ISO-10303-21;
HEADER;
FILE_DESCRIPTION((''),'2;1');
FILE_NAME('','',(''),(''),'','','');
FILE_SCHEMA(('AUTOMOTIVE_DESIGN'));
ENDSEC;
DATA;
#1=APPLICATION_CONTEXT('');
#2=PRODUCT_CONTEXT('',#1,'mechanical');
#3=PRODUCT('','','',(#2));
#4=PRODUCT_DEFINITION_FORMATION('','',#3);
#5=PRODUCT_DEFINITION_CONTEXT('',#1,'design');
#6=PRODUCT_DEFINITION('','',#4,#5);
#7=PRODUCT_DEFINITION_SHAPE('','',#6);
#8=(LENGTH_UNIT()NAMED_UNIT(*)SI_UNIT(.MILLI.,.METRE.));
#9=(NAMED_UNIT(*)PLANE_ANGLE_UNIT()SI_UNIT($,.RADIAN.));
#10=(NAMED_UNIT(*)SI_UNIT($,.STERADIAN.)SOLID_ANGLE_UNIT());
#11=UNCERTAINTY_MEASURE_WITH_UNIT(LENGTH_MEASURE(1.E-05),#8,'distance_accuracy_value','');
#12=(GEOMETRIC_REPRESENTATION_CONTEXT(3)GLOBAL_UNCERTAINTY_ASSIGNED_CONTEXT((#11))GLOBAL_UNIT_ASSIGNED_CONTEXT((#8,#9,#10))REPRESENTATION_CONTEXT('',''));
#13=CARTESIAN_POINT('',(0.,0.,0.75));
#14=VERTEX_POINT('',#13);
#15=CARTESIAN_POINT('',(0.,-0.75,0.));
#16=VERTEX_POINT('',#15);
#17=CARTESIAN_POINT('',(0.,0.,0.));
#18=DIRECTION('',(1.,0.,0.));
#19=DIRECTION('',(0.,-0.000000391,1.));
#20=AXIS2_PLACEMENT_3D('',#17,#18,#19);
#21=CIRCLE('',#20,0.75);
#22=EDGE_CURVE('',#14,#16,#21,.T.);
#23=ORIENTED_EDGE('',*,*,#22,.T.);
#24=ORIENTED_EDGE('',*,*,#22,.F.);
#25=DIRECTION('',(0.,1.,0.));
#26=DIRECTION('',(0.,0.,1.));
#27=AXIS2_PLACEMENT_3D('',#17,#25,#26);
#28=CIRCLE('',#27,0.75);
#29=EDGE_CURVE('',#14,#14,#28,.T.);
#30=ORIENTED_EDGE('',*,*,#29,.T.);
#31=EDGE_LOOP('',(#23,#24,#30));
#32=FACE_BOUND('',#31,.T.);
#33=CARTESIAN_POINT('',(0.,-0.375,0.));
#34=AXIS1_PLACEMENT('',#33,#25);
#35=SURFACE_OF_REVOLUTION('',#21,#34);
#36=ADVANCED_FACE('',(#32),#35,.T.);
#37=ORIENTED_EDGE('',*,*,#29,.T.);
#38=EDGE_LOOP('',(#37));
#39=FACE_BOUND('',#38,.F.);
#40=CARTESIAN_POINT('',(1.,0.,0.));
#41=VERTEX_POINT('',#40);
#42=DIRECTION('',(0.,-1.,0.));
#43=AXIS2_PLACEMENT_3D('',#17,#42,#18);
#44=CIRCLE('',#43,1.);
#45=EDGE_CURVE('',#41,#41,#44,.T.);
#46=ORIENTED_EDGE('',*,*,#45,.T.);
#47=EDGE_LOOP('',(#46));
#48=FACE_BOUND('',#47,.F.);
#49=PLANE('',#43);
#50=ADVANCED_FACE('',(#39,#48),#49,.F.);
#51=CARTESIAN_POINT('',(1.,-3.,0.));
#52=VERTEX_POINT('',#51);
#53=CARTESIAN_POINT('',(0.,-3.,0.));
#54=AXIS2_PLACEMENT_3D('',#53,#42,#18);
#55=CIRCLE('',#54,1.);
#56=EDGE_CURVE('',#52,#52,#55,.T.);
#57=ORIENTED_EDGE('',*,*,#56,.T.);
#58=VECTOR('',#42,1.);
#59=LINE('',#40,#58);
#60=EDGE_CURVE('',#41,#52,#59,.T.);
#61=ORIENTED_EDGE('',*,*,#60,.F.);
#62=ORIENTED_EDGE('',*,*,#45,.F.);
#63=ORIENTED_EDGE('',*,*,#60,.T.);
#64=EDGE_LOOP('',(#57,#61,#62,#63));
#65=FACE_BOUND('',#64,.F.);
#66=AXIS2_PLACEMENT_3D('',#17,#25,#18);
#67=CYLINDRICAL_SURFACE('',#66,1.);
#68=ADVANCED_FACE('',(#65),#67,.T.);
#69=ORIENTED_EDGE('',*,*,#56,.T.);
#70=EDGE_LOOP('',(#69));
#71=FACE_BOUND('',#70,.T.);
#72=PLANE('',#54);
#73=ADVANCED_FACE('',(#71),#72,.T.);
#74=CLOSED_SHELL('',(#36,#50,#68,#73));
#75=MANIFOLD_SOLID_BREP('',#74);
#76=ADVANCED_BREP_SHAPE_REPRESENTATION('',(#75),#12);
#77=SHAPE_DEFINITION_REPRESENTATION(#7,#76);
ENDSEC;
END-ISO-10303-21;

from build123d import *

# Parameters (mm, degrees)
F0_R     = 1
F0_R_2   = 0.875
F1_DEPTH = 3


with BuildPart() as f1:
    # F0 (on Front) → F1 (new body)
    with BuildSketch(Plane.XZ):
        Circle(F0_R)
        Circle(F0_R_2, mode=Mode.SUBTRACT)
        Circle(F0_R_2)
    extrude(amount=F1_DEPTH)

    # F2 (on Right) → F3 (revolve, cut)
    with BuildSketch(Plane.YZ):
        with BuildLine():
            Line((0, 0), (0, 0.75))
            ThreePointArc((0, 0.75), (-0.53033, 0.53033), (-0.75, 0))
            Line((-0.75, 0), (0, 0))
        make_face()
    revolve(axis=Axis((0, -0.375, 0), (0, 1, 0)), mode=Mode.SUBTRACT)


solid = f1.part
